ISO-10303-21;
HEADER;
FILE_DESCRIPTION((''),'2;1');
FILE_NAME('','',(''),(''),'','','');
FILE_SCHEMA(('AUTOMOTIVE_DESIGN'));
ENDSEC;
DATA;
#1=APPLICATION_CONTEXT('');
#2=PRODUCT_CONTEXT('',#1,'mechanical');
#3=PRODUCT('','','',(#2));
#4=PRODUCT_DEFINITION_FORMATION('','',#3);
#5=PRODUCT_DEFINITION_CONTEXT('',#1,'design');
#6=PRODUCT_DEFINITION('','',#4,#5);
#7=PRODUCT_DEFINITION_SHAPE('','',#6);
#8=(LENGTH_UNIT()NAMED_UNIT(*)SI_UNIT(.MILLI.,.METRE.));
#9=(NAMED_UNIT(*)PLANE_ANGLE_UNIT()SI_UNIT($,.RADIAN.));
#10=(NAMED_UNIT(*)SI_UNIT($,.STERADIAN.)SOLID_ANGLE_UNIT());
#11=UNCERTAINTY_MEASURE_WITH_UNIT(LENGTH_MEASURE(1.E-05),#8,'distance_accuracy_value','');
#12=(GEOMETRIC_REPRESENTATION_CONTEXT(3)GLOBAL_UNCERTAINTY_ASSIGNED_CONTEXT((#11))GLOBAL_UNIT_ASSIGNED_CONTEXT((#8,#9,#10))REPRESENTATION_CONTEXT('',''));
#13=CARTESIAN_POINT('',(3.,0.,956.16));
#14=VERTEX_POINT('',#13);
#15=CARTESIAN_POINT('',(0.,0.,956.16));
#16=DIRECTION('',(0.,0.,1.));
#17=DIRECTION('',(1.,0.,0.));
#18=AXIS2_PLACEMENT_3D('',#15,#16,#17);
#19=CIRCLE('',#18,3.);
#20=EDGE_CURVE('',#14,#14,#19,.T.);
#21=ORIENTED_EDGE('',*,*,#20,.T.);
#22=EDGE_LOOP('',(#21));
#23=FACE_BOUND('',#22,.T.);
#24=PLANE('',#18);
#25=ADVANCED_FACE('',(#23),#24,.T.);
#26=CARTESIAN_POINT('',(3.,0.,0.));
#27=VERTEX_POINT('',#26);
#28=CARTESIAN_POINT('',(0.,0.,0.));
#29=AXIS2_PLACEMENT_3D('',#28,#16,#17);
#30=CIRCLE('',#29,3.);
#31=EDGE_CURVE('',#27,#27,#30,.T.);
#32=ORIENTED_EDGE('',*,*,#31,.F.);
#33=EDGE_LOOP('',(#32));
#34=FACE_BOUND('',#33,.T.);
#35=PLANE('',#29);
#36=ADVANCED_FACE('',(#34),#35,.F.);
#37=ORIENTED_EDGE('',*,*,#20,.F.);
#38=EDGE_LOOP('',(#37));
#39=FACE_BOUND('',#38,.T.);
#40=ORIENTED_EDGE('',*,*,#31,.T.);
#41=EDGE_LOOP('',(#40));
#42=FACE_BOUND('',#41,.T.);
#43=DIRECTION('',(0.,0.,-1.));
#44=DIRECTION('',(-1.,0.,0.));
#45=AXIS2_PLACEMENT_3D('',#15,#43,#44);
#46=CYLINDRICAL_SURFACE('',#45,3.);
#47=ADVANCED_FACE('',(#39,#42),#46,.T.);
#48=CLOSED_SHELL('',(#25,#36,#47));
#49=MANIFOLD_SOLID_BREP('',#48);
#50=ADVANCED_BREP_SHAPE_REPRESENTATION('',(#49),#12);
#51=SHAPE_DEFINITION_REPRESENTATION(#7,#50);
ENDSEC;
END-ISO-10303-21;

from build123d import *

# Parameters (mm, degrees)
ESQUISSE1_R        = 3
BOSS_EXTRU_1_DEPTH = 956.16


with BuildPart() as part:
    # Esquisse1 → Boss.-Extru.1 (new body)
    with BuildSketch(Plane.XY):
        Circle(ESQUISSE1_R)
    extrude(amount=BOSS_EXTRU_1_DEPTH)


solid = part.part
